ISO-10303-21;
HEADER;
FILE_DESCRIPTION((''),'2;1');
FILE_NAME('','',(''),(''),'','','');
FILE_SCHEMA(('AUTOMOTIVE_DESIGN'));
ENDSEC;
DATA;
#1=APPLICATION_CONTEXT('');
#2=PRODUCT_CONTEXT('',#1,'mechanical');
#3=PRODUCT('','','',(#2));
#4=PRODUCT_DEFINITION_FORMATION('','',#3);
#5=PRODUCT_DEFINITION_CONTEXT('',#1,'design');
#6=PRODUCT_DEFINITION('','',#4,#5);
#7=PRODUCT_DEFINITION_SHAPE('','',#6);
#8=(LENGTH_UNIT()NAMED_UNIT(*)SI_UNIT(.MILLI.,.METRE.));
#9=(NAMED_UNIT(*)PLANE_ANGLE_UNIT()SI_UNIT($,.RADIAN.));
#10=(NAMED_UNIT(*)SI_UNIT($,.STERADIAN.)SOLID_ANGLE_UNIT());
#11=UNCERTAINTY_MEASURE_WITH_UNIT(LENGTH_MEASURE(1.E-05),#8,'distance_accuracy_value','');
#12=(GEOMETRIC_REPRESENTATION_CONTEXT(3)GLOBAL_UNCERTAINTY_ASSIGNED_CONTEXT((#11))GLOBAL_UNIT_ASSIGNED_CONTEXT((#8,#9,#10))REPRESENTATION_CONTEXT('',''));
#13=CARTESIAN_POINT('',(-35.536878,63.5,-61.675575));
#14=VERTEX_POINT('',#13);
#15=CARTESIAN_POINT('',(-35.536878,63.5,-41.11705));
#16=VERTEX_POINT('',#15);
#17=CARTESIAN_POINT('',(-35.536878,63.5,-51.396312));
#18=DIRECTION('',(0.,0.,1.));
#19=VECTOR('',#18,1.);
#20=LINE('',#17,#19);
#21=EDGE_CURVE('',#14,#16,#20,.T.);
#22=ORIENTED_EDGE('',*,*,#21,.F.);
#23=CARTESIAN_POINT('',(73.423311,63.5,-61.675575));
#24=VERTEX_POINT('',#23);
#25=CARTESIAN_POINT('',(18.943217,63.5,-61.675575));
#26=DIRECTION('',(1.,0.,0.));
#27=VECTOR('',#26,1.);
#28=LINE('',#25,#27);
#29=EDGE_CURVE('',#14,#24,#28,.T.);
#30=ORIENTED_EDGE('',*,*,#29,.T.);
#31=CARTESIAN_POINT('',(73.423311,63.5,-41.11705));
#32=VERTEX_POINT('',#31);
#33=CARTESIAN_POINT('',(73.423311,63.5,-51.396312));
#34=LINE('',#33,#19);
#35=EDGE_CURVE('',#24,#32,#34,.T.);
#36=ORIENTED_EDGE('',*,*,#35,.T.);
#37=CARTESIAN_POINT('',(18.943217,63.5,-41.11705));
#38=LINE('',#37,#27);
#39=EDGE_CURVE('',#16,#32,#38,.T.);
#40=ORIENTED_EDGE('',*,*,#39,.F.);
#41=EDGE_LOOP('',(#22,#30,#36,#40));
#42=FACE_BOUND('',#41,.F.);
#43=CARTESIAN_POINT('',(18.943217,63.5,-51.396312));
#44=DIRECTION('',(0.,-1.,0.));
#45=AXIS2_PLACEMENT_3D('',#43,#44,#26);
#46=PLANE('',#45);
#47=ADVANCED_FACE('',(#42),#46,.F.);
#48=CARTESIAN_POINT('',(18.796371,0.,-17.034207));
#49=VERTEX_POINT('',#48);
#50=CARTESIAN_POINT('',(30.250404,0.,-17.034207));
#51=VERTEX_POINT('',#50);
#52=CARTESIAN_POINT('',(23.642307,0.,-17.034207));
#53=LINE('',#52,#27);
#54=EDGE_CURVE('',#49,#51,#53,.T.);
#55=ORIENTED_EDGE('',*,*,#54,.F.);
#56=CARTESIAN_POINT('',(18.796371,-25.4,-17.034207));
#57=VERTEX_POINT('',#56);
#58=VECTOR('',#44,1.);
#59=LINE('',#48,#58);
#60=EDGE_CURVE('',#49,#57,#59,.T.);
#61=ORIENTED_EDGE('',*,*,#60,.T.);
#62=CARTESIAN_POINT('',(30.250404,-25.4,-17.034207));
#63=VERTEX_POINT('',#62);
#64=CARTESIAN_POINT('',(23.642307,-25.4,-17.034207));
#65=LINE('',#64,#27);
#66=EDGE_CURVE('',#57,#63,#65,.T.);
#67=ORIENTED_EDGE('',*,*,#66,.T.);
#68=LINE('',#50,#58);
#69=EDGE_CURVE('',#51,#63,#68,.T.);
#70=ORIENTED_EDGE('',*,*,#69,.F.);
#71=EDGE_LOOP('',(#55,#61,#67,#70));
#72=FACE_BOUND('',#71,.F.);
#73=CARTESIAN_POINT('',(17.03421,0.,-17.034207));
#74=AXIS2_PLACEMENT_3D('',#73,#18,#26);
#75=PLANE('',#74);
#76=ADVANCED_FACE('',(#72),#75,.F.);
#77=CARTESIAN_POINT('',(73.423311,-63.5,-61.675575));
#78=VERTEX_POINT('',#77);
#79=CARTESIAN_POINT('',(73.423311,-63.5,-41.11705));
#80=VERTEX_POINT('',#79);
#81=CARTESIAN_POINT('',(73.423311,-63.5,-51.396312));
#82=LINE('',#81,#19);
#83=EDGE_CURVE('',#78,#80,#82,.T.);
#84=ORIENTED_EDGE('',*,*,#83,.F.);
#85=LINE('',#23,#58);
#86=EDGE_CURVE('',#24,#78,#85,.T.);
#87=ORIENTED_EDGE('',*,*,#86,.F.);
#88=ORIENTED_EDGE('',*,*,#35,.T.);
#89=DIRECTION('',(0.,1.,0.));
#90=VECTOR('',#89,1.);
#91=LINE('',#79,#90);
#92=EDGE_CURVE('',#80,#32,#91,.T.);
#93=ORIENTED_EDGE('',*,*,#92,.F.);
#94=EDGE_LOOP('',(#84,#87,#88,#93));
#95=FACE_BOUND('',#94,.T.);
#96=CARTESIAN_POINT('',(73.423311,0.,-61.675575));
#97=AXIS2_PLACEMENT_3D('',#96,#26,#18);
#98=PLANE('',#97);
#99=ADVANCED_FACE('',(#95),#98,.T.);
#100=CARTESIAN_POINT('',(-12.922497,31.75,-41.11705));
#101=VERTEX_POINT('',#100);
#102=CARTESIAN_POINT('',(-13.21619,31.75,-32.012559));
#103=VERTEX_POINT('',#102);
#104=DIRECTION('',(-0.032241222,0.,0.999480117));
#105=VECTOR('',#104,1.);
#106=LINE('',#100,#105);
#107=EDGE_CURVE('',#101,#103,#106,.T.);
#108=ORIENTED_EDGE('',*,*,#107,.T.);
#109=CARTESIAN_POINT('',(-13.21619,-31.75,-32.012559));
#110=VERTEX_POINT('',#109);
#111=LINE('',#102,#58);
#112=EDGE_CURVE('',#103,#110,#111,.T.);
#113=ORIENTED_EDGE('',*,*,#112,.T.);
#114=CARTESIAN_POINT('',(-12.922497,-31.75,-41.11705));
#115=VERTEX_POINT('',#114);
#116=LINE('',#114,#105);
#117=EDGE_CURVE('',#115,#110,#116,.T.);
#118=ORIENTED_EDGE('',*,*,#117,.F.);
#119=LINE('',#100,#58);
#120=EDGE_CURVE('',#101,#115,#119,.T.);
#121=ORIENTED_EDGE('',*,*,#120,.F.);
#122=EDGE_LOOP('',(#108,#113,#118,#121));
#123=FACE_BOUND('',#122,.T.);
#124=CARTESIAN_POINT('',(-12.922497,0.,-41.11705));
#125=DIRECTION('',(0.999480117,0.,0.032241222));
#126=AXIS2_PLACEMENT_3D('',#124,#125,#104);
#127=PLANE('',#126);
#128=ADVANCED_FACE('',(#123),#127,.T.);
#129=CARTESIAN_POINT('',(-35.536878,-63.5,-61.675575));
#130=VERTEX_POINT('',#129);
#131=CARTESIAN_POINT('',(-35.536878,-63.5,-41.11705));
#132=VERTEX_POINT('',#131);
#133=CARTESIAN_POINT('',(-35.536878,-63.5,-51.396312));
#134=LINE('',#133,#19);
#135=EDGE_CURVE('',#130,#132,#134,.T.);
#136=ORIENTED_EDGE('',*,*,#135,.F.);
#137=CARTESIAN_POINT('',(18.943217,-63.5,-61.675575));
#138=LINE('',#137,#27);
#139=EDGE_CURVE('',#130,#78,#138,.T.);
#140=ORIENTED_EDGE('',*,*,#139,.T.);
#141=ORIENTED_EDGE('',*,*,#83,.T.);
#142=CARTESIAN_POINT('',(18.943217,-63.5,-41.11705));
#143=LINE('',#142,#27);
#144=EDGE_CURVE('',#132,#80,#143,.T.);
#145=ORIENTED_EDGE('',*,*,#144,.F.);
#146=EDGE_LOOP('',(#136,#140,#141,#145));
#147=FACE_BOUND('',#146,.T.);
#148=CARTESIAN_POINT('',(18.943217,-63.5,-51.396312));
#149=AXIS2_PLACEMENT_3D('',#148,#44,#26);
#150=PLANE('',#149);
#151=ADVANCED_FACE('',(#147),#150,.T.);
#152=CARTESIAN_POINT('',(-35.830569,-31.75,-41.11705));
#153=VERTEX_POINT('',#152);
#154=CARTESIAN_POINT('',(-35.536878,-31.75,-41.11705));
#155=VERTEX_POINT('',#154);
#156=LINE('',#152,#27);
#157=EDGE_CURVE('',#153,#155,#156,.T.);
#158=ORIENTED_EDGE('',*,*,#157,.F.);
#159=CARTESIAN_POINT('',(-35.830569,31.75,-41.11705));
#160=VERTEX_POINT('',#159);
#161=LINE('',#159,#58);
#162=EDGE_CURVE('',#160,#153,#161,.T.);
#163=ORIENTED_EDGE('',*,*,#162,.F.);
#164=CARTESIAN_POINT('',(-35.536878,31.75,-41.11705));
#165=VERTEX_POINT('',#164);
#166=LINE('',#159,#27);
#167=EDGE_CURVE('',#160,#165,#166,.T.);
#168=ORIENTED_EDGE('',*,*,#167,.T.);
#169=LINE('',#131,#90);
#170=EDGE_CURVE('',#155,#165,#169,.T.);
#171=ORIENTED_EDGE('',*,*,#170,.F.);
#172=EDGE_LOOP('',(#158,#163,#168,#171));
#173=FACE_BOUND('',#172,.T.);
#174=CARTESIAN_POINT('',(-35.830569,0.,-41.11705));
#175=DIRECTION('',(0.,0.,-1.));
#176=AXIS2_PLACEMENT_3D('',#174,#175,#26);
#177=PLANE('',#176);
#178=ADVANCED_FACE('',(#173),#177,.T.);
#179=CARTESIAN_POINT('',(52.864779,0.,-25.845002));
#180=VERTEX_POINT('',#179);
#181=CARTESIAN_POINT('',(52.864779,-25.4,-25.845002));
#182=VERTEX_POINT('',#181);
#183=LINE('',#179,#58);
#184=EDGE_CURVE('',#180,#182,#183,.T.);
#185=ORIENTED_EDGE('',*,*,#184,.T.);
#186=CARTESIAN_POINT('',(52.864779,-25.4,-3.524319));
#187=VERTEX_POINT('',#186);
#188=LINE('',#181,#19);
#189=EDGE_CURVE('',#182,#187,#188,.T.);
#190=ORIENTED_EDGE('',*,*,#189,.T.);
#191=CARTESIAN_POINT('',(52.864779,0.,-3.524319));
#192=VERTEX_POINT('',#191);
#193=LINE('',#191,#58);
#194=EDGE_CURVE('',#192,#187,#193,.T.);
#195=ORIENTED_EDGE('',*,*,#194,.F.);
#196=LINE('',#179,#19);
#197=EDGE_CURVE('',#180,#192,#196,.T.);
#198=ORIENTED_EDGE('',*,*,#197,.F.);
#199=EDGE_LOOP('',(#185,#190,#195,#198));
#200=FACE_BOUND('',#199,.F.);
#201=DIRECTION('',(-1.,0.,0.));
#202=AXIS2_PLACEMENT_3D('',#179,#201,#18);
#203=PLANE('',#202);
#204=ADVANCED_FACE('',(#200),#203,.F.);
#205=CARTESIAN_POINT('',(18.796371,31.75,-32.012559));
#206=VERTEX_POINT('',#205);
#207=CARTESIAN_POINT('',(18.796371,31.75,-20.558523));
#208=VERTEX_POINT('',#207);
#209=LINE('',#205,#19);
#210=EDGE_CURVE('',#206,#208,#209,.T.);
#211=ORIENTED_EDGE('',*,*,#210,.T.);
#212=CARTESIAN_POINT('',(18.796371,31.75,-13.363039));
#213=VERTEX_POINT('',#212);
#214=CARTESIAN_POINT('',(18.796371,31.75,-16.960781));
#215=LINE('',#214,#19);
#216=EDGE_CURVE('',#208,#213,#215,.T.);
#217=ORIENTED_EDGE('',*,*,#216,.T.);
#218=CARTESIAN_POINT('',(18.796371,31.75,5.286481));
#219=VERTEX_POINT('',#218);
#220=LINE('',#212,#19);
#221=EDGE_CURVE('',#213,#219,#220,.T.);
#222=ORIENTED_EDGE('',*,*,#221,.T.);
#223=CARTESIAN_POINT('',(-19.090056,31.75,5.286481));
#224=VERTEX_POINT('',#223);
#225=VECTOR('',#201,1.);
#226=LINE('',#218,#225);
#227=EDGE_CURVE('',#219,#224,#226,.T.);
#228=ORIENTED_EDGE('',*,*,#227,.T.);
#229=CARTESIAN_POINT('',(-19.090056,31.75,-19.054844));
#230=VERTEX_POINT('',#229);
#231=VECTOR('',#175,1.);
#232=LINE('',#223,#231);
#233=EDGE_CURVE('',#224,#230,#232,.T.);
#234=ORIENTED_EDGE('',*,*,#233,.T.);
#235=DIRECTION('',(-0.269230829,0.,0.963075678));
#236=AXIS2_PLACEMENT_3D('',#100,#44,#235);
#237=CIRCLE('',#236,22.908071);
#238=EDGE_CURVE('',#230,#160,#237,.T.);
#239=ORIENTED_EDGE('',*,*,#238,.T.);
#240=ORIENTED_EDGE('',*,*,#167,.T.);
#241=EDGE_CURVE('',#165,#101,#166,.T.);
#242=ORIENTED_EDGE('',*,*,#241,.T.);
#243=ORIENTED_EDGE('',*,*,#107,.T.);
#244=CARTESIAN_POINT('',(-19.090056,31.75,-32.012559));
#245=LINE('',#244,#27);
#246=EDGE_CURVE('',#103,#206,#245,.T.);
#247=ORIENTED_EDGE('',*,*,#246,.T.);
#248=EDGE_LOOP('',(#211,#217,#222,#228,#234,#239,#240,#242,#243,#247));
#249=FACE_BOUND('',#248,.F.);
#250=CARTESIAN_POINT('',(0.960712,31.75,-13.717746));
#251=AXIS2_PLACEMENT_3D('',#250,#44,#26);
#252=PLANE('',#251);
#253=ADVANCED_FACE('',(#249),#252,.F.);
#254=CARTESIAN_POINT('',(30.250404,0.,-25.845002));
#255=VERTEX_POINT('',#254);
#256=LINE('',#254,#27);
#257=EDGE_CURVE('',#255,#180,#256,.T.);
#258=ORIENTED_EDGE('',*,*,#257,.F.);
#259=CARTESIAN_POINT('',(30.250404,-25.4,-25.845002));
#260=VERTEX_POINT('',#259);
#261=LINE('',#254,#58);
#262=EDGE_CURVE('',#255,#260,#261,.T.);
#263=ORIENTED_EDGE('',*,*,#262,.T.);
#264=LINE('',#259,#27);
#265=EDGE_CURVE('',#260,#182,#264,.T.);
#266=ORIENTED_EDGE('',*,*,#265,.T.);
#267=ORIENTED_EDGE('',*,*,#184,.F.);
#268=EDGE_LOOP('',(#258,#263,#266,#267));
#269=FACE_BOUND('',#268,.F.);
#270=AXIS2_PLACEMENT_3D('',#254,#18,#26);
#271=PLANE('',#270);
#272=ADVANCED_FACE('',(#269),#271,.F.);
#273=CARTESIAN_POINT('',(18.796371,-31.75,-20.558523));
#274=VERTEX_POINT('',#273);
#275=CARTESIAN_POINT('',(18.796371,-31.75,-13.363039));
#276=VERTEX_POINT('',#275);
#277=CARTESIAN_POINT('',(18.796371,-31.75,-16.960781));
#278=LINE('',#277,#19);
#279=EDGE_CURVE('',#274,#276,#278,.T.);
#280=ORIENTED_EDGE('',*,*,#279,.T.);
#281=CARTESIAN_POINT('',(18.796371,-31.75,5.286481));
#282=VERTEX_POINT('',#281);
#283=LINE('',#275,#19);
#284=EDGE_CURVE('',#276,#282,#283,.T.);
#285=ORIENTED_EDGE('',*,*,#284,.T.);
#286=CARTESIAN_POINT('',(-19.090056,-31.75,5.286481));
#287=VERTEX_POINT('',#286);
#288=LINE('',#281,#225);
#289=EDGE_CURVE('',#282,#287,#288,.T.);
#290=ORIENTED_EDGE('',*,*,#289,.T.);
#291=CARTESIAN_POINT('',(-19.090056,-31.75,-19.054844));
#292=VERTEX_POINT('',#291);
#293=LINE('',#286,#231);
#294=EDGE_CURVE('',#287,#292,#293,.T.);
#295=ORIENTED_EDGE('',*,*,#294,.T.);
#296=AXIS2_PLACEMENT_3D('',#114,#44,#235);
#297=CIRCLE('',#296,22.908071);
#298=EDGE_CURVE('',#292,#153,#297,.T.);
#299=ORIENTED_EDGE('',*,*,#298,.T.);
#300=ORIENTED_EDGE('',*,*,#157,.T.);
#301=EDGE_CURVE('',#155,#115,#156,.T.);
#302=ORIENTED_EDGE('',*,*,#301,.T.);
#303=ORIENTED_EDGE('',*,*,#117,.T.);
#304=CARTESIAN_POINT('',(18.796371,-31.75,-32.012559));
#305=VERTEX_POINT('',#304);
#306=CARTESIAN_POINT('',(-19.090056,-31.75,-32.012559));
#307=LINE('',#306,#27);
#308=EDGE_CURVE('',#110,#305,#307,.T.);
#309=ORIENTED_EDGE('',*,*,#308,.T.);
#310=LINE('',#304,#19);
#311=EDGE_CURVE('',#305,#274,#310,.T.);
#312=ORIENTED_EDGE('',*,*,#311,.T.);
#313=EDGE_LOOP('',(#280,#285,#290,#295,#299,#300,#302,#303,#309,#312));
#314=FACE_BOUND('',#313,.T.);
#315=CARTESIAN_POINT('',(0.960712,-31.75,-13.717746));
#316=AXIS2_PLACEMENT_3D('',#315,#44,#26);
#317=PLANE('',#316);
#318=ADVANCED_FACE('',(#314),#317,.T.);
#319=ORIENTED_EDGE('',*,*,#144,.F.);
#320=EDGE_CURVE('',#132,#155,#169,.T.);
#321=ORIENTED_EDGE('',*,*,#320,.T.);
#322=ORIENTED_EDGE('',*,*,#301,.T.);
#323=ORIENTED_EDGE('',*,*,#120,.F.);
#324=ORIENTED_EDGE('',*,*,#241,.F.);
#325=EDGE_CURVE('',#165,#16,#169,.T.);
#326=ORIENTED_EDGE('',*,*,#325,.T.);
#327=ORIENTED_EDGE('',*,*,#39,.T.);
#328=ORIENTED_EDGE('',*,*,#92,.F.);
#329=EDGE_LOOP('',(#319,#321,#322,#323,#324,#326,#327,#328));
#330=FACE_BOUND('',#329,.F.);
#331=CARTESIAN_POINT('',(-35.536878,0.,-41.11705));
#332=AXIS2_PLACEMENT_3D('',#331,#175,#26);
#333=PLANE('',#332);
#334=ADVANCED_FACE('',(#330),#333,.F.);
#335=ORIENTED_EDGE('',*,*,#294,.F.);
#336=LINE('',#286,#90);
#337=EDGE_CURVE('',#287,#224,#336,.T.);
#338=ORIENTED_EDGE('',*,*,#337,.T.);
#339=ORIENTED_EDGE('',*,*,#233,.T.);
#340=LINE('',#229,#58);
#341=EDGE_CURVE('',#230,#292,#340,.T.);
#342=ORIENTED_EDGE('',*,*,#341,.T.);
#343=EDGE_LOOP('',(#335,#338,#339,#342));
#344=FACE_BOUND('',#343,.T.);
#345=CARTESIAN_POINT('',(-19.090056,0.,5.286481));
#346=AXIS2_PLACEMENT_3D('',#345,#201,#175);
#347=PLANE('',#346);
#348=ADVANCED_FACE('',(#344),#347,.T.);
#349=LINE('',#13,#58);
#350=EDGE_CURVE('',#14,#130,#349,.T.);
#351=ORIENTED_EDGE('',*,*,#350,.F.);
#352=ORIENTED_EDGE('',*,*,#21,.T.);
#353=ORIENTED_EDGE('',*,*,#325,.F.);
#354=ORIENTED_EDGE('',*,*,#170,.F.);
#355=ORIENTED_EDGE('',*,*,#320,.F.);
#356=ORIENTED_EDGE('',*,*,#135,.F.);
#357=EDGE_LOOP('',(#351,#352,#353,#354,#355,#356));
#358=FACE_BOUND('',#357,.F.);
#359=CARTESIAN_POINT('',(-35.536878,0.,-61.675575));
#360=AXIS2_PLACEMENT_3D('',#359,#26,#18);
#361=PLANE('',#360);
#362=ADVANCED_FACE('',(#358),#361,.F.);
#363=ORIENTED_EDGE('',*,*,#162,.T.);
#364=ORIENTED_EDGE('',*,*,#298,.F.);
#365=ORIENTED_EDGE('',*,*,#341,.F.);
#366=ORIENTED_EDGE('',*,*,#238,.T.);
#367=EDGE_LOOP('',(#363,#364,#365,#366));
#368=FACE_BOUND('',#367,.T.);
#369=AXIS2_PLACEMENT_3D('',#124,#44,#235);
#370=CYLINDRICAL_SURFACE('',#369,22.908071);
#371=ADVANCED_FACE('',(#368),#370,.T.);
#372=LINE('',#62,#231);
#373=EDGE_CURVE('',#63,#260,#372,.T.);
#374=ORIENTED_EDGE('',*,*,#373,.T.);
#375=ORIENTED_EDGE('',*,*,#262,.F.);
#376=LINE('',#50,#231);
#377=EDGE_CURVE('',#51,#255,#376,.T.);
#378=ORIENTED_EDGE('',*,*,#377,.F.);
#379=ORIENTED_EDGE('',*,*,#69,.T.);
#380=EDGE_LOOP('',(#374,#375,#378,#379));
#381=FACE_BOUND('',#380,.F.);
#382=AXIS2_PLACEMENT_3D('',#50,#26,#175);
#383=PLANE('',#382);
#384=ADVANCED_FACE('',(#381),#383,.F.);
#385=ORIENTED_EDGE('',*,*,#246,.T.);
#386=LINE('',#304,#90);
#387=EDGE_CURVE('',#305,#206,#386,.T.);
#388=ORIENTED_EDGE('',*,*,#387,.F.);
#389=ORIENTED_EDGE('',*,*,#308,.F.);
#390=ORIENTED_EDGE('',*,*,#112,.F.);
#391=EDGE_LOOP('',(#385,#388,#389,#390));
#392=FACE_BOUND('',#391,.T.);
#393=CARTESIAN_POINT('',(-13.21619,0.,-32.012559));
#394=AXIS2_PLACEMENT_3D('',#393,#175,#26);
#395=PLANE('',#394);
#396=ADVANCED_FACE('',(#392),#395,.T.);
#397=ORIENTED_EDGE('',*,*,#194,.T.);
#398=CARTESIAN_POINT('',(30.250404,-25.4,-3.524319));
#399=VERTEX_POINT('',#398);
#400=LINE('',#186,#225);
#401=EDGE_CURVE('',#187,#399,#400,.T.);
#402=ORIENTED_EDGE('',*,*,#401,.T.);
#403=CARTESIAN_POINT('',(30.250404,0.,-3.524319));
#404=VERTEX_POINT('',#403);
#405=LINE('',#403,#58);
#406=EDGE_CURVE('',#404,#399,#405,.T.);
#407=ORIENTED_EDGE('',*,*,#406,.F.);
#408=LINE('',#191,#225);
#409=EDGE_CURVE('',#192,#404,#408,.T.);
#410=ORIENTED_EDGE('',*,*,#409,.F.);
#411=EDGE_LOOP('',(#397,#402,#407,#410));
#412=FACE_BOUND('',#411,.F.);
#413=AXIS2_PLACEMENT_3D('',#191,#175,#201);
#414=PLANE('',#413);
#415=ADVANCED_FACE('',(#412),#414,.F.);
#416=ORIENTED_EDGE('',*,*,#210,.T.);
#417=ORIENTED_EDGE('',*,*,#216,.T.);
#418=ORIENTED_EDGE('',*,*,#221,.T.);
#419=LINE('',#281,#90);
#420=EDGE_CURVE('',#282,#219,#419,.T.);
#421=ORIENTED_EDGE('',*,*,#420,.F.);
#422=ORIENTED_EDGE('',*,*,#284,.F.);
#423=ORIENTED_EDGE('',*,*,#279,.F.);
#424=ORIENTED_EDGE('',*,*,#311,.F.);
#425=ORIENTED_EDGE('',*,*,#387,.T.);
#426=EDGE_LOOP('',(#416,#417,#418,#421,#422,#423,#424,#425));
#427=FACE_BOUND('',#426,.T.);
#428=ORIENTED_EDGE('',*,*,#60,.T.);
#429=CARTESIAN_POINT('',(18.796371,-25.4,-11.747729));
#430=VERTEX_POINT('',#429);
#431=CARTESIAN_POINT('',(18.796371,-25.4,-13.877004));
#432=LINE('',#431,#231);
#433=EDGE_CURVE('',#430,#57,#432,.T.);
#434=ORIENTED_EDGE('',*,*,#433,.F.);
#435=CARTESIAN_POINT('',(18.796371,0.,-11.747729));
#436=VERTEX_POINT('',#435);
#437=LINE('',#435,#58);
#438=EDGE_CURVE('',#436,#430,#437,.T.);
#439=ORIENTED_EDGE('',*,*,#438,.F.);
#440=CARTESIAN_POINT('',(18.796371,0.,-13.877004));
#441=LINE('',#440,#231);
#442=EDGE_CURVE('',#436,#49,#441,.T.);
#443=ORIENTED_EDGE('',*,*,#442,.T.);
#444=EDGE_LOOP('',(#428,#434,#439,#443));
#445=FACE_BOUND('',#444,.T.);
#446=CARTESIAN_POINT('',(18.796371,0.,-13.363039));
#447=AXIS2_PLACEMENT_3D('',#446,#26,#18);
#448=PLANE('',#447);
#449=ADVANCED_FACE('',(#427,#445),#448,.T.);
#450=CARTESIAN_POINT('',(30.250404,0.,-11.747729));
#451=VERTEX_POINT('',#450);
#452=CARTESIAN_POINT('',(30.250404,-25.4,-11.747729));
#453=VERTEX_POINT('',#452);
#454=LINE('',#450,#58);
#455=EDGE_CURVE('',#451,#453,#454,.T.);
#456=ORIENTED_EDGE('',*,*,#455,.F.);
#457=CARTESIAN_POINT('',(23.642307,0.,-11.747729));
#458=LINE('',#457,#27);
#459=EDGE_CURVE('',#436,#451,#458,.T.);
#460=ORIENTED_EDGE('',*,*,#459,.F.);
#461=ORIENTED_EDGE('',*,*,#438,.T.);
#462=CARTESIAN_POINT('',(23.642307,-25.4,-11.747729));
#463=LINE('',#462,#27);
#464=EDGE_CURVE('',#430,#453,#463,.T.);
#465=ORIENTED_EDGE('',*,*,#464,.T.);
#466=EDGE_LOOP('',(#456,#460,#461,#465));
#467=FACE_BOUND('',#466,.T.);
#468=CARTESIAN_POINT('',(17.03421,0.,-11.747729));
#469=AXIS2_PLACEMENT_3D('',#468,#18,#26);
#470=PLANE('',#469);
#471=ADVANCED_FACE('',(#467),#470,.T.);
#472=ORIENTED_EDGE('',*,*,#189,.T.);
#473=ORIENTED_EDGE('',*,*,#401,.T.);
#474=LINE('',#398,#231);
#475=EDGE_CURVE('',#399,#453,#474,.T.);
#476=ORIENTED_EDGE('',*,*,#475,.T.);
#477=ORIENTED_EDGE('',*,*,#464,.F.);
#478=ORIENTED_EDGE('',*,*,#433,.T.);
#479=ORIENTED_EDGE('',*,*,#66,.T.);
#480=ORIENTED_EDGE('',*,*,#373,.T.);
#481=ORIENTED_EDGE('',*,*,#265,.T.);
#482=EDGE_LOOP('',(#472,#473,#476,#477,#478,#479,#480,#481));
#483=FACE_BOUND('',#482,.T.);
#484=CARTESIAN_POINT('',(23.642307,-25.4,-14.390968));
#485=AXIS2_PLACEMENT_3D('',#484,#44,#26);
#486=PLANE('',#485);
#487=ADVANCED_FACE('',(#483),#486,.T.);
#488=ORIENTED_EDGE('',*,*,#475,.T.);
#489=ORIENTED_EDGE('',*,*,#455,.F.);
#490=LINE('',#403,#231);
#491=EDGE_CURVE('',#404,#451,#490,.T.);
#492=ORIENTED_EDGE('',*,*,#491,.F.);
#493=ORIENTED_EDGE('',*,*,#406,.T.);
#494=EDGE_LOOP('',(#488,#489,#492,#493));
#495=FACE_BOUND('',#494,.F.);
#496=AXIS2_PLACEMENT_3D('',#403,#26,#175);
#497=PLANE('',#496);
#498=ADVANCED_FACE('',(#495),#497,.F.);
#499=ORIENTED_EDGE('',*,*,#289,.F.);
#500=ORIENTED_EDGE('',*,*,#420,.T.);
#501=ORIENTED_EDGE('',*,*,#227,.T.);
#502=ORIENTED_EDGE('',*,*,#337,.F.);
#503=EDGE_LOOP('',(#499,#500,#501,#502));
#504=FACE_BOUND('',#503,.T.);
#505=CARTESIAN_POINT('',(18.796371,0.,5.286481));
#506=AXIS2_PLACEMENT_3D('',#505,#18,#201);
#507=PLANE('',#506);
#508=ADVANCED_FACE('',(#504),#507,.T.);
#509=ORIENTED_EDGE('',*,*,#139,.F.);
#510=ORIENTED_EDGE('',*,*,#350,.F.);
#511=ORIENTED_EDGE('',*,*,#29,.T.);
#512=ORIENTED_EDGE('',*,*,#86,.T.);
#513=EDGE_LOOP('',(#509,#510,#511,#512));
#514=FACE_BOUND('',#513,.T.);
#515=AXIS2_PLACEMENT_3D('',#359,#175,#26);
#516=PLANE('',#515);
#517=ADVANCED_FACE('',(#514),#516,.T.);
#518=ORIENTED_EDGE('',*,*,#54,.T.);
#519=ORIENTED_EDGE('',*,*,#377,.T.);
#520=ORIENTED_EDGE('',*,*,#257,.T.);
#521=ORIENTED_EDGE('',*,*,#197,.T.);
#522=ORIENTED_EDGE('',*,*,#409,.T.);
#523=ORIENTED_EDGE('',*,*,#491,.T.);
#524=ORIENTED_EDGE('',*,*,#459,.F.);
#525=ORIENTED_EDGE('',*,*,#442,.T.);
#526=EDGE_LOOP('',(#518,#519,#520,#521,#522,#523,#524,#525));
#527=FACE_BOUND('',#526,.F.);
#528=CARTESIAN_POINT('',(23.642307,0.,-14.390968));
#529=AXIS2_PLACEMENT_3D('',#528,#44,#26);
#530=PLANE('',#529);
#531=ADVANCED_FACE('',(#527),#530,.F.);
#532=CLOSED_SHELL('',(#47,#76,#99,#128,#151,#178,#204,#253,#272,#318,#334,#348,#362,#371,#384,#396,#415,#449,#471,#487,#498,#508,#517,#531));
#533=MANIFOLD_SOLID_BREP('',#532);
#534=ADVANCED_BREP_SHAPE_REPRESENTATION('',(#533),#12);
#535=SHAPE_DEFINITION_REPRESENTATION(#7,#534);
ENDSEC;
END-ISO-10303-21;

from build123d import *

# Parameters (mm, degrees)
F0_W     = 8.2234106958
F0_H     = 7.1954836603
F1_DEPTH = 31.75
F2_W     = 108.9601889253
F2_H     = 20.5585248768
F3_DEPTH = 63.5
F4_W     = 13.2161937654
F4_H     = 5.2864775062
F4_W_2   = 0.5873870105
F5_DEPTH = 25.4


with BuildPart() as f1:
    # F0 (on Front) → F1 (new body, symmetric)
    with BuildSketch(Plane.XZ):
        Polygon((-19.0900564194, 5.2864807658), (-19.0900564194, -19.0548436975), (-19.0900564194, -32.0125594735), (-13.2161900401, -32.0125594735), (18.796371296, -32.0125594735), (18.796371296, -20.5585230142), (10.5729606003, -20.5585230142), (10.5729606003, -13.3630393539), (18.796371296, -13.3630393539), (18.796371296, 5.2864807658), align=None)
        with Locations((14.6846659482, -16.960781184)):
            Rectangle(F0_W, F0_H)
        with BuildLine():
            ThreePointArc((-19.0900564194, -19.0548436975), (-31.1716974247, -27.2697965826), (-35.8305685222, -41.1170497537))
            Line((-35.8305685222, -41.1170497537), (-12.9224974662, -41.1170497537))
            Line((-12.9224974662, -41.1170497537), (-13.2161900401, -32.0125594735))
            Line((-13.2161900401, -32.0125594735), (-19.0900564194, -32.0125594735))
            Line((-19.0900564194, -32.0125594735), (-19.0900564194, -19.0548436975))
        make_face()
    extrude(amount=F1_DEPTH, both=True)

    # F2 (on Front) → F3 (join, symmetric)
    with BuildSketch(Plane.XZ):
        with Locations((18.9432166517, -51.3963121921)):
            Rectangle(F2_W, F2_H)
    extrude(amount=F3_DEPTH, both=True)

    # F4 (on Front) → F5 (join)
    with BuildSketch(Plane.XZ):
        with Locations((23.6423071474, -14.3909677863)):
            Rectangle(F4_W, F4_H)
        Polygon((30.2504040301, -3.5243185703), (30.2504040301, -11.7477290332), (30.8377910405, -11.7477290332), (30.8377910405, -17.0342065394), (30.2504040301, -17.0342065394), (30.2504040301, -25.845002383), (52.8647787869, -25.845002383), (52.8647787869, -3.5243185703), align=None)
        with Locations((30.5440975353, -14.3909677863)):
            Rectangle(F4_W_2, F4_H)
    extrude(amount=F5_DEPTH)


solid = f1.part
